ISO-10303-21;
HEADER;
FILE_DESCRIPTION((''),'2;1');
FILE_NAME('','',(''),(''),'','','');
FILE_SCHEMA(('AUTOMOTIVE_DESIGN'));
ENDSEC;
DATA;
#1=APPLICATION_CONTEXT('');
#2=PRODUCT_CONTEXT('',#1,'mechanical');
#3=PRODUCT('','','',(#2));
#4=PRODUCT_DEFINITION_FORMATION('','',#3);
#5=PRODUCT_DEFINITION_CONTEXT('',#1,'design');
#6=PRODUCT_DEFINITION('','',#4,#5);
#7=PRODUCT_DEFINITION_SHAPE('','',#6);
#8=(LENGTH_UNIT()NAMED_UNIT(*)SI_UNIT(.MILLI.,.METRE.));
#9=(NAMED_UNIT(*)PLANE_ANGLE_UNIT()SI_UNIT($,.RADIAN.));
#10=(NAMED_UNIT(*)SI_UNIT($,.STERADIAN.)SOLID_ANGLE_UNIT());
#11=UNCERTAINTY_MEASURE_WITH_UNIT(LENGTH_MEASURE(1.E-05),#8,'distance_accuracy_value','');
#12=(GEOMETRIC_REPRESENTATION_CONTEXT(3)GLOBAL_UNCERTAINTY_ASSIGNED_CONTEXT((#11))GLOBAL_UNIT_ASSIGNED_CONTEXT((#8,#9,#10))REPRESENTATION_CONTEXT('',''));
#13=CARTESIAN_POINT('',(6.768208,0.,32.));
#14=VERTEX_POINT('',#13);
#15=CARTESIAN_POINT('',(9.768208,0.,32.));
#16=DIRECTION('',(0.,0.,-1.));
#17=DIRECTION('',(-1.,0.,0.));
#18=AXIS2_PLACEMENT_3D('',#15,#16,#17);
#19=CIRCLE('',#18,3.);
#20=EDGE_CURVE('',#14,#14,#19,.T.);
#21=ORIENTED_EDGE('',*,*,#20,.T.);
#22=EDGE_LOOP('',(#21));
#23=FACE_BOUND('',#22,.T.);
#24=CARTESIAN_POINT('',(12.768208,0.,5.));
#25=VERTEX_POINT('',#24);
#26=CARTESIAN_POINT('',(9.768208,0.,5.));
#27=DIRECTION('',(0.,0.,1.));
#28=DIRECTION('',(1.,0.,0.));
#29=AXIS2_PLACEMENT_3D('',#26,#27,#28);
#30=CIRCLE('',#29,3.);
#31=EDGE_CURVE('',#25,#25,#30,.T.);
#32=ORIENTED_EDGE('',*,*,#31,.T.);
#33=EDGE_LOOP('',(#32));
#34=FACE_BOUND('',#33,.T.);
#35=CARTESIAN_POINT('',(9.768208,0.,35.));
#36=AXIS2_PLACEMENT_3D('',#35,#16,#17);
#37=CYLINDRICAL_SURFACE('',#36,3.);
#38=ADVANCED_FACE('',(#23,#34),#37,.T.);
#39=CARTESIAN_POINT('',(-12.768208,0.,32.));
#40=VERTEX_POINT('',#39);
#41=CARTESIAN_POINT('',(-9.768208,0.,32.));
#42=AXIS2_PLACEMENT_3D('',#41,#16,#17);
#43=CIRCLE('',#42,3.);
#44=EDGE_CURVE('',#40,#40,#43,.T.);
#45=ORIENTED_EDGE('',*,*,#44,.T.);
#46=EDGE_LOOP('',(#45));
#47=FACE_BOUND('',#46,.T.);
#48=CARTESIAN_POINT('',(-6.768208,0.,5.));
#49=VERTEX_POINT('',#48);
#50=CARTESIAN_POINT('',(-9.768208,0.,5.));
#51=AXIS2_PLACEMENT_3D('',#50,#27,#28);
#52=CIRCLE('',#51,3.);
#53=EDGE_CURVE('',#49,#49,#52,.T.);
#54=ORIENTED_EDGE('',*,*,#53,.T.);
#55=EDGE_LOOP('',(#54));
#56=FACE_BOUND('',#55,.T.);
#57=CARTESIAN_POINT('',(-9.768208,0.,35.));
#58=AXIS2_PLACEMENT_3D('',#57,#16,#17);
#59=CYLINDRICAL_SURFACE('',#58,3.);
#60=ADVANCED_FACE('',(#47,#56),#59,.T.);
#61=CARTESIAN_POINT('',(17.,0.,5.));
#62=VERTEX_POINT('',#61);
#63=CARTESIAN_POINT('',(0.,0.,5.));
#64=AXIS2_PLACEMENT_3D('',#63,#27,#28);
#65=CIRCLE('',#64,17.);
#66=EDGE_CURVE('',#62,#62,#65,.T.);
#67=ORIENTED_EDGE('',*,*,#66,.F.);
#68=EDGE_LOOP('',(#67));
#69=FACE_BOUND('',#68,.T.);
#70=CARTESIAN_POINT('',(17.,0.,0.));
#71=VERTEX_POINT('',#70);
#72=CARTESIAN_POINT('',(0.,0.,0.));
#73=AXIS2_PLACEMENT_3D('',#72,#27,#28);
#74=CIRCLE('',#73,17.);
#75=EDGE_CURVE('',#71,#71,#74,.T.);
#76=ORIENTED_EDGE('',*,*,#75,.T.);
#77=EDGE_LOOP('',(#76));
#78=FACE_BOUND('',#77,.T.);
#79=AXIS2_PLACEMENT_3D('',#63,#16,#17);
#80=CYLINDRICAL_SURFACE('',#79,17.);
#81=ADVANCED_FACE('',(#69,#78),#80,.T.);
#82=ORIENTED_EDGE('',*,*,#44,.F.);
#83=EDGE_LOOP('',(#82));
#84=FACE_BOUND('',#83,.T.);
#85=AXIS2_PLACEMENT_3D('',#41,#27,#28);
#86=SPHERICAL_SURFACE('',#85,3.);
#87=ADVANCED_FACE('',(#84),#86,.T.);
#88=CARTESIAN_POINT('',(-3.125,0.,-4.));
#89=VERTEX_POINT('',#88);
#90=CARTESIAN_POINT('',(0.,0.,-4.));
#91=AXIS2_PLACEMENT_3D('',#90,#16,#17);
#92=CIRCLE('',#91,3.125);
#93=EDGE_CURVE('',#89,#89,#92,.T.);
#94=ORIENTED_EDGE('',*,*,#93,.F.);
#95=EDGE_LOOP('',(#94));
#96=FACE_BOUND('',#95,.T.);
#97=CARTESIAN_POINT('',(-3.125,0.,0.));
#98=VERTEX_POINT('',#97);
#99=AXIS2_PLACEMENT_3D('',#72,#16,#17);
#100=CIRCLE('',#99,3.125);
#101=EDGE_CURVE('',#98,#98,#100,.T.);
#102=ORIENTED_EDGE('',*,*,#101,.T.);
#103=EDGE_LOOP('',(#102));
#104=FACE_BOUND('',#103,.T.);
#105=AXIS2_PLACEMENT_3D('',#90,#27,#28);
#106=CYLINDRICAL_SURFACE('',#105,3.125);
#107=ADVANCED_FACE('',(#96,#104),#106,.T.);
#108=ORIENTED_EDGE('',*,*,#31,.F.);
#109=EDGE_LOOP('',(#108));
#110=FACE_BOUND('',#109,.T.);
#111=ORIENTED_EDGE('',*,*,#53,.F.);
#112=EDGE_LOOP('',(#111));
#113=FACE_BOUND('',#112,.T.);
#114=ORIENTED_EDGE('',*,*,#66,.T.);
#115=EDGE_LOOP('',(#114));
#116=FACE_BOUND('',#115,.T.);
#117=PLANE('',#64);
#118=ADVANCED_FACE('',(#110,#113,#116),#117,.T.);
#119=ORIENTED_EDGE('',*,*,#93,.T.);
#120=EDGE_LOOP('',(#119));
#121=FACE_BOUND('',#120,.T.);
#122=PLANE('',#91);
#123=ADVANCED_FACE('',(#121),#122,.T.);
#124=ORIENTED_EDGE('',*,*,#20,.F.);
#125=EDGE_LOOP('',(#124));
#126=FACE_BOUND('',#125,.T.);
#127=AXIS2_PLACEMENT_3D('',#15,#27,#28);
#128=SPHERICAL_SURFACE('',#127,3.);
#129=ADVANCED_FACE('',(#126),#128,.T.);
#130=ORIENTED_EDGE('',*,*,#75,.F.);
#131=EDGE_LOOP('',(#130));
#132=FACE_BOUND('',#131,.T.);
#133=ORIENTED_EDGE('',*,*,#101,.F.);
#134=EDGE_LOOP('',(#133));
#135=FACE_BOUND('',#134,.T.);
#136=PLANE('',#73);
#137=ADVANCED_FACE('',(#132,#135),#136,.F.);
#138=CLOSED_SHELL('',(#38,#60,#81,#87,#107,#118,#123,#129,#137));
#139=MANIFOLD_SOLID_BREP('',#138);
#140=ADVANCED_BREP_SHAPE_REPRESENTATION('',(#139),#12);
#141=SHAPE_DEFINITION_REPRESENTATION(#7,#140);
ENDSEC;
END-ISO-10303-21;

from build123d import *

# Parameters (mm, degrees)
SKETCH1_R           = 17
BOSS_EXTRUDE1_DEPTH = 5
SKETCH2_R           = 3
BOSS_EXTRUDE2_DEPTH = 30
SKETCH3_R           = 3.125
BOSS_EXTRUDE3_DEPTH = 4
FILLET1_R           = 3


with BuildPart() as part:
    # Sketch1 → Boss-Extrude1 (new body)
    with BuildSketch(Plane.XY):
        Circle(SKETCH1_R)
    extrude(amount=BOSS_EXTRUDE1_DEPTH)

    # Sketch2 → Boss-Extrude2 (add)
    with BuildSketch(Plane.XY.offset(5)):
        with Locations((-9.768207719, 0)):
            Circle(SKETCH2_R)
        with Locations((9.768207719, 0)):
            Circle(SKETCH2_R)
    extrude(amount=BOSS_EXTRUDE2_DEPTH)

    # Sketch3 → Boss-Extrude3 (add)
    with BuildSketch(Plane(origin=(0, 0, 0), x_dir=(-1, 0, 0), z_dir=(0, 0, -1))):
        Circle(SKETCH3_R)
    extrude(amount=BOSS_EXTRUDE3_DEPTH)

    # Fillet1
    fillet1_edges = [part.edges().sort_by_distance(p)[0] for p in [
        (-12.768207719, 0, 35),
        (6.768207719, 0, 35),
    ]]
    fillet(fillet1_edges, radius=FILLET1_R)


solid = part.part
